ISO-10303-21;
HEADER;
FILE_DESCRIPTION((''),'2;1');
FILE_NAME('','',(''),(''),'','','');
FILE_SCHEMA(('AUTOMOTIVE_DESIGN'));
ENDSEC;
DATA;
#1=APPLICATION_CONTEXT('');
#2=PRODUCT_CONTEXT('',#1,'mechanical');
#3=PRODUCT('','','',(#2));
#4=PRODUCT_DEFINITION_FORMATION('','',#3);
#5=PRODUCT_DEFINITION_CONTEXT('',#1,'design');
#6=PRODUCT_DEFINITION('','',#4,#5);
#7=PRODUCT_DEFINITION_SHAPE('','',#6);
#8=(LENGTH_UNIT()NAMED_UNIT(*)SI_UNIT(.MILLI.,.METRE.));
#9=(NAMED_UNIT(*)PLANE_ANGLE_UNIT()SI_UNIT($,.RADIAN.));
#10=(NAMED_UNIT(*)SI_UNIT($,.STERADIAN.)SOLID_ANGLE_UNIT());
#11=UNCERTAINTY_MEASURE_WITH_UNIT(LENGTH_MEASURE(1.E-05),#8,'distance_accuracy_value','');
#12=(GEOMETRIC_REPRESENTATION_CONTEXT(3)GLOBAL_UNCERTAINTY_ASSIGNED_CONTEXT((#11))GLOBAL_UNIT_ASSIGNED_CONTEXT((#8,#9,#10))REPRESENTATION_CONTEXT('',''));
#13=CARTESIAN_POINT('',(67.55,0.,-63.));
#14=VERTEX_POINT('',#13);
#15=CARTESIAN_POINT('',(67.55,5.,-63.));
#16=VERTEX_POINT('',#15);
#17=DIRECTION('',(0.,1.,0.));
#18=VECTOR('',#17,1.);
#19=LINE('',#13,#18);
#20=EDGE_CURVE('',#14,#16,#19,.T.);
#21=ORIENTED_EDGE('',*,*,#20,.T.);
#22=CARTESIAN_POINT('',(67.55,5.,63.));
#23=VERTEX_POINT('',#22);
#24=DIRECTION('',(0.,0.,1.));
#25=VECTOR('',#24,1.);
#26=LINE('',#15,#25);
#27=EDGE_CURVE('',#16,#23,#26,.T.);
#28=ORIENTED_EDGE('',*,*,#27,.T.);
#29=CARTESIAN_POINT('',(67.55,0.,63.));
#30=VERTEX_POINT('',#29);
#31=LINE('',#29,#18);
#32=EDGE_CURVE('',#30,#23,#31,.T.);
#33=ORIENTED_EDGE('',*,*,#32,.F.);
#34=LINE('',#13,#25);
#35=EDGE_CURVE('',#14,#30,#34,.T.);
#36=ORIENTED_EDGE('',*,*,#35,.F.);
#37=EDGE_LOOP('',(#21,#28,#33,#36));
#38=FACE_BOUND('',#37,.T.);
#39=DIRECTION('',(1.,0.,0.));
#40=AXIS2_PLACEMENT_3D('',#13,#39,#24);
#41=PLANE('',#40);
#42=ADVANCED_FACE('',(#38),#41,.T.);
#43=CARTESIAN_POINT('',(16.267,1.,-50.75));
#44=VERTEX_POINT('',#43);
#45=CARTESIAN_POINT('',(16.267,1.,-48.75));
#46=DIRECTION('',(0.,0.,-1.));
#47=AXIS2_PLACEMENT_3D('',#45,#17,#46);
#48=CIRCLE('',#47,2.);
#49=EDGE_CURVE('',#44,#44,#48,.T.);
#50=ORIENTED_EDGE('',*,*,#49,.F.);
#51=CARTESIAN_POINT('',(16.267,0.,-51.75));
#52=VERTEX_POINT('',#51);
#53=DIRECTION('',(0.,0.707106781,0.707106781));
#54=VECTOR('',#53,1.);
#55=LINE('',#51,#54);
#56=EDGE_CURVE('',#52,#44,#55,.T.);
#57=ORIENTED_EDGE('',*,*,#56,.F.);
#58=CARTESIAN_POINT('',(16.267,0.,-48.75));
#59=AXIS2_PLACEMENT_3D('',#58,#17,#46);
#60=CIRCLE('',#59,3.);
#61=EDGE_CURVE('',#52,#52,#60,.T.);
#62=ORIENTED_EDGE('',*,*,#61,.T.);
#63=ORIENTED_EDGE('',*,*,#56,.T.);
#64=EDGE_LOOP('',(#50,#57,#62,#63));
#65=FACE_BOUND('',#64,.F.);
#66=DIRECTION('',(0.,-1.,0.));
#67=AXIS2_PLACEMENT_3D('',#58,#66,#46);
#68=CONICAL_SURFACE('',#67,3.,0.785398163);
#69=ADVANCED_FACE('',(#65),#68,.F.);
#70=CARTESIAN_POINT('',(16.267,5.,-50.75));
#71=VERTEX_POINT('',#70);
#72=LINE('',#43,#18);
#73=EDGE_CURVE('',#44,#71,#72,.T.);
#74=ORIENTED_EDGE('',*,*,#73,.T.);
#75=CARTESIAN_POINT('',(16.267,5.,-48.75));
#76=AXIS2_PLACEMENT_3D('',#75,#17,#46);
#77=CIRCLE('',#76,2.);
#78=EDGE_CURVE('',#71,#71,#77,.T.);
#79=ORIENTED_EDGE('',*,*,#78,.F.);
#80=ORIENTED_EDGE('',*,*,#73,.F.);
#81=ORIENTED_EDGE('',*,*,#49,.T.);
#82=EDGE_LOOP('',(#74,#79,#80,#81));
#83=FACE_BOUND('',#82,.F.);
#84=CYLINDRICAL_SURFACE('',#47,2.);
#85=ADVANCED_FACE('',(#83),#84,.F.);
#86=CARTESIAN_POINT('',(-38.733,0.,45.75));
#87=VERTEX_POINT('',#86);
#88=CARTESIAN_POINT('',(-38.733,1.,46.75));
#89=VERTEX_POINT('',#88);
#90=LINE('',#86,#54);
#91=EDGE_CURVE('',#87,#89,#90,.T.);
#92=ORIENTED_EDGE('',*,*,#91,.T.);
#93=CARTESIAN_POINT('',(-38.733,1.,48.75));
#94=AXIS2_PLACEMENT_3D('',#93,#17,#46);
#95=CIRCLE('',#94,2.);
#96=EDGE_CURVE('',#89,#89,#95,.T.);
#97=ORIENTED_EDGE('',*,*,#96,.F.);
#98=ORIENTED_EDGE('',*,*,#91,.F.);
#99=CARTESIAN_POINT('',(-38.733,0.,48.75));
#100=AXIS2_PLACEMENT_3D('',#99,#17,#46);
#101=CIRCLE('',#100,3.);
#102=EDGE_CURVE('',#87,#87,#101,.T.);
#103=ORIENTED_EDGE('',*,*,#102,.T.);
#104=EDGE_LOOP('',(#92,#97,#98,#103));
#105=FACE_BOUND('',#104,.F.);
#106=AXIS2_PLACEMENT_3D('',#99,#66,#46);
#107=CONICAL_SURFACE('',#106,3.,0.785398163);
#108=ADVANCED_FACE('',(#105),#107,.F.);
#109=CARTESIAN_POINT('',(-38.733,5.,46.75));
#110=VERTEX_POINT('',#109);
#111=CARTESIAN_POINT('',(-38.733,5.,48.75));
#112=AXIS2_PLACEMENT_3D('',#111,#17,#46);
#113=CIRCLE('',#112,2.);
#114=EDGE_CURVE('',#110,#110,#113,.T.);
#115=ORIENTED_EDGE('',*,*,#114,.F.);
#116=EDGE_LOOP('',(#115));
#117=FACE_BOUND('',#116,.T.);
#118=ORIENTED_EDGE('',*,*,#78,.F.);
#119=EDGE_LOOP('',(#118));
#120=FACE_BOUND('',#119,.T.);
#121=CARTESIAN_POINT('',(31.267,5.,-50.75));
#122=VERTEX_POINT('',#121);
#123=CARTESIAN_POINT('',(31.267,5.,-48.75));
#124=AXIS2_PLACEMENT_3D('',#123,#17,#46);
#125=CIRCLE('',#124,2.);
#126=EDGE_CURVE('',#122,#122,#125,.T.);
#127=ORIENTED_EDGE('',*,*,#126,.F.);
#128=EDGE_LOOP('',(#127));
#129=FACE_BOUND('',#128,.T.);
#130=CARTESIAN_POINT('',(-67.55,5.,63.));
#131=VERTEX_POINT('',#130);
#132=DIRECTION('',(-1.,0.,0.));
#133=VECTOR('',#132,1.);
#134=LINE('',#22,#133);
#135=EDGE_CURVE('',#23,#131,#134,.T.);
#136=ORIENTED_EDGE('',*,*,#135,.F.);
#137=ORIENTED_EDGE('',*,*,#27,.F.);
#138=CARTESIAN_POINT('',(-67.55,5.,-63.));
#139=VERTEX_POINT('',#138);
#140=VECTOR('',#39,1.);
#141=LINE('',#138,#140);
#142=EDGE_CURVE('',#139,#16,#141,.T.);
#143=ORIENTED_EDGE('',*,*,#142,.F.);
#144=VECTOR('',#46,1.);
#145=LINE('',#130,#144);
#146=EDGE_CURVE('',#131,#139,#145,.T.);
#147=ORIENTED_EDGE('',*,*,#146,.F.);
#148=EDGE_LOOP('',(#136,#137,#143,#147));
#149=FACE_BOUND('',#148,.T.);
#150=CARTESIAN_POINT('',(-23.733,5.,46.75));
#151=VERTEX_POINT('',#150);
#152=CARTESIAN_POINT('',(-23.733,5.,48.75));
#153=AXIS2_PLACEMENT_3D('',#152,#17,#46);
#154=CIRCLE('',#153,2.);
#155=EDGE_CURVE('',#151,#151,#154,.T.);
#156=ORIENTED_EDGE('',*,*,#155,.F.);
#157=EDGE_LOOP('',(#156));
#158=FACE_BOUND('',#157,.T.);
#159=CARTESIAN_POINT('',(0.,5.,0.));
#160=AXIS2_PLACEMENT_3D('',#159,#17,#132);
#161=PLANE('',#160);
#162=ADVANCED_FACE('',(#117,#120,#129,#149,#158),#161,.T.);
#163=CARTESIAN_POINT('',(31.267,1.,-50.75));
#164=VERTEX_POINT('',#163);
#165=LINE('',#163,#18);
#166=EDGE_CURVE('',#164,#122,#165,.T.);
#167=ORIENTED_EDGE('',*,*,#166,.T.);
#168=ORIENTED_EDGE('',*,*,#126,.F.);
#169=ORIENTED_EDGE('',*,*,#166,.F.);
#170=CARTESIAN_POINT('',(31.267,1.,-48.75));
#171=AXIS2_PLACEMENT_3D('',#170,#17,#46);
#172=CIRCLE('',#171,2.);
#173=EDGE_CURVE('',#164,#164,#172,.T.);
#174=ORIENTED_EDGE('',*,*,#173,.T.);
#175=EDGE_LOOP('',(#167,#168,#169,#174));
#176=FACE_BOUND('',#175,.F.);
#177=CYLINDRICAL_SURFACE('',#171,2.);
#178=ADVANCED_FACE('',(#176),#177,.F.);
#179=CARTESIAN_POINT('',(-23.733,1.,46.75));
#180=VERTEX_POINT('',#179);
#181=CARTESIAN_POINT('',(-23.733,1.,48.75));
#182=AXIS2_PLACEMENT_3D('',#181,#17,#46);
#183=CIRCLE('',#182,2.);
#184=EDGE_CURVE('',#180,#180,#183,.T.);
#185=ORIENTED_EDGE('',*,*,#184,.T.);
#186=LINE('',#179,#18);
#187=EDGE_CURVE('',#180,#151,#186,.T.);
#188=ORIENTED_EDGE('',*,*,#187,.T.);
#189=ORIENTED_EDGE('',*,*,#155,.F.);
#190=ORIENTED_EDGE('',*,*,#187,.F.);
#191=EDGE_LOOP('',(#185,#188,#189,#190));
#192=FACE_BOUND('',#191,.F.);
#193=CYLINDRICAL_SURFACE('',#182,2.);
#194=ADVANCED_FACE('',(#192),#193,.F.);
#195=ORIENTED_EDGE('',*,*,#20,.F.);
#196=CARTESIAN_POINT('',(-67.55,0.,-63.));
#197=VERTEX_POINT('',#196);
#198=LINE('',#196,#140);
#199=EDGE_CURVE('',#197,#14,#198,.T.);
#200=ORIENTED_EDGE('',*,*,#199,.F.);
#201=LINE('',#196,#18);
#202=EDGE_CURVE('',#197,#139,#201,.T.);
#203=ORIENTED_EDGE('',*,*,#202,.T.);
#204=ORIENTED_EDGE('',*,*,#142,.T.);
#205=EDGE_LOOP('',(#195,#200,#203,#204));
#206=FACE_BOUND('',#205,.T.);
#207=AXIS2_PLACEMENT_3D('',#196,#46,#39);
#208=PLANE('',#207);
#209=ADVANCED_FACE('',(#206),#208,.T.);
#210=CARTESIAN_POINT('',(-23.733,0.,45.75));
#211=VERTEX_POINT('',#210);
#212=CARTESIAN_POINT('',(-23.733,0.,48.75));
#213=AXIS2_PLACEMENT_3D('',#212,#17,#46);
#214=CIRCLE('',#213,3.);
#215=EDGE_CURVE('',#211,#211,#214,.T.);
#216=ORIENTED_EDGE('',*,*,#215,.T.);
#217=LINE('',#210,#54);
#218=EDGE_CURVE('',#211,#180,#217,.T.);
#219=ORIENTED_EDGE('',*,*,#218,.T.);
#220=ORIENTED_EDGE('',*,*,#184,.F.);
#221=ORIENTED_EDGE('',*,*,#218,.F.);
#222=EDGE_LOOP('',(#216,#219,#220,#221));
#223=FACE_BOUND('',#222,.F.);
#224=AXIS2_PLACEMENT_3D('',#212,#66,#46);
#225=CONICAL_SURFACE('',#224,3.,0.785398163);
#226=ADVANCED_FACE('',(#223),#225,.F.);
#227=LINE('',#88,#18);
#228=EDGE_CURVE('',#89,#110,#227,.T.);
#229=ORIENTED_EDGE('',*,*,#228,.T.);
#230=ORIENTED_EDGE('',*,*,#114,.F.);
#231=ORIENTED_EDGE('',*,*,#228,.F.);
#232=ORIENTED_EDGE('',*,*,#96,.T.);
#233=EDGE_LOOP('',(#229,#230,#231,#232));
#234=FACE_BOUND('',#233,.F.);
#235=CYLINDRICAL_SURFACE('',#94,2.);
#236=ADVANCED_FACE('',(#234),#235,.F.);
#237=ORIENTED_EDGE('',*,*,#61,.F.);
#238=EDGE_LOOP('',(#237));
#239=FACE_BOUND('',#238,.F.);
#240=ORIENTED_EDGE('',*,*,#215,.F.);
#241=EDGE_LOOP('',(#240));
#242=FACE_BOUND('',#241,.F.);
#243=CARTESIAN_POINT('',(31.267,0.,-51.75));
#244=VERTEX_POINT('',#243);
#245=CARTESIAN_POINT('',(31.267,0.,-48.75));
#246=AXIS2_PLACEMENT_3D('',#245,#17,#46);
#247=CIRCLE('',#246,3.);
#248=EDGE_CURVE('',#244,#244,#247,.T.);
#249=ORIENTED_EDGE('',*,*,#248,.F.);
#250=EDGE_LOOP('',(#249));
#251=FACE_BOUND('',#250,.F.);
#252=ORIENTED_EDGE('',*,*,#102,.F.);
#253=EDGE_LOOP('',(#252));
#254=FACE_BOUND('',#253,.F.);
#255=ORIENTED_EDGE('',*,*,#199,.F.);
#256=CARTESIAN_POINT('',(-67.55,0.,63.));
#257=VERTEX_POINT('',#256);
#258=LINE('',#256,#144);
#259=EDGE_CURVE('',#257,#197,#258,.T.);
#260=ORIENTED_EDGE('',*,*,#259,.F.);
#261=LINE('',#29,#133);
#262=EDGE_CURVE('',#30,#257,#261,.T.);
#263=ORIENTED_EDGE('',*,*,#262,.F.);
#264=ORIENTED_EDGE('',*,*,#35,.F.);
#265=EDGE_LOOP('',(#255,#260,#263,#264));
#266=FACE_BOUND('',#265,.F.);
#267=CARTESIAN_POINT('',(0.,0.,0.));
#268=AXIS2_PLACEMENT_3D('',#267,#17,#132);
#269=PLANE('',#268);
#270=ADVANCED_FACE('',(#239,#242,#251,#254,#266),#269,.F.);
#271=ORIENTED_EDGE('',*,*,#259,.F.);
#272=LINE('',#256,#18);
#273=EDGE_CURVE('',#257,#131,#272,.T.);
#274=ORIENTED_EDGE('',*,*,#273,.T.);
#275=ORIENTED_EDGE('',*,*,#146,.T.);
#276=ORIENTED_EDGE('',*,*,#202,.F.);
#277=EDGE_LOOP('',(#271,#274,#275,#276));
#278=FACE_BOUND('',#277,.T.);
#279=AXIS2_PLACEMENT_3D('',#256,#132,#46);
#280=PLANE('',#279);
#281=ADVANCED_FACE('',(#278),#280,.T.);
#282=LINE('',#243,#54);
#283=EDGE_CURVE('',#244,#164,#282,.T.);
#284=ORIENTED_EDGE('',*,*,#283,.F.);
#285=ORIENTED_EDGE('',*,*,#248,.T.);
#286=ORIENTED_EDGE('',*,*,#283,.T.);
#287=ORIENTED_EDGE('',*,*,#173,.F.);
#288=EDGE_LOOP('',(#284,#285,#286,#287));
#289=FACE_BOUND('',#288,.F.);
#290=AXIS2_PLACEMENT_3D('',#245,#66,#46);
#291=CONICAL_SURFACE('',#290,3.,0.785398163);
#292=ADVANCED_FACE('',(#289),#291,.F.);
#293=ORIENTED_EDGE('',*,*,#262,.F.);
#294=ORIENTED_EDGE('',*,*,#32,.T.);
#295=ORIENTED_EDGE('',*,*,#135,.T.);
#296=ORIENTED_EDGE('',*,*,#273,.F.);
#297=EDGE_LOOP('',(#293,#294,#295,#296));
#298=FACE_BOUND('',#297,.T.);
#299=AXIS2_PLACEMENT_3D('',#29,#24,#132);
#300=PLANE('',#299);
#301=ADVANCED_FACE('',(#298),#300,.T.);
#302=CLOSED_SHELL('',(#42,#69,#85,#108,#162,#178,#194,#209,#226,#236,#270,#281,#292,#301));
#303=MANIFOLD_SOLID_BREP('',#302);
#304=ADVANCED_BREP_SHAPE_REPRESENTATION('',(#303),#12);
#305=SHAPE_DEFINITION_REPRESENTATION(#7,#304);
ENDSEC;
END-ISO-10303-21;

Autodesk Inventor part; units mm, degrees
ref_plane "YZ Plane" through (0, 0, 0) normal (1, 0, 0) x (0, 1, 0)
ref_plane "XZ Plane" through (0, 0, 0) normal (0, 1, 0) x (-1, 0, 0)
ref_plane "XY Plane" through (0, 0, 0) normal (0, 0, 1) x (1, 0, 0)
sketch "Schizzo1" plane through (0, 0, 0) normal (0, 1, 0) x (-1, 0, 0)
  line L0 (-67.55, 63) -> (67.55, 63)
  line L1 (67.55, 63) -> (67.55, -63)
  line L2 (67.55, -63) -> (-67.55, -63)
  line L3 (-67.55, -63) -> (-67.55, 63)
  line L4 (-67.55, 63) -> (67.55, -63) construction
  line L5 (67.55, 63) -> (-67.55, -63) construction
  line L6 (67.55, -55.2) -> (43.733, -55.2) construction
  line L7 (43.733, -55.2) -> (-36.267, -55.2) construction
  line L8 (-36.267, -55.2) -> (-36.267, -42.3) construction
  line L9 (-36.267, -42.3) -> (43.733, -42.3) construction
  line L10 (43.733, -42.3) -> (43.733, -55.2) construction
  line L11 (-36.267, 63) -> (-36.267, 55.2) construction
  line L12 (-36.267, 55.2) -> (43.733, 55.2) construction
  line L13 (43.733, 55.2) -> (43.733, 42.3) construction
  line L14 (43.733, 42.3) -> (-36.267, 42.3) construction
  line L15 (-36.267, 42.3) -> (-36.267, 55.2) construction
  line L16 (-36.267, -48.75) -> (-31.267, -48.75) construction
  circle A0 centre (-31.267, -48.75) radius 2
  line L17 (-31.267, -48.75) -> (-16.267, -48.75) construction
  circle A1 centre (-16.267, -48.75) radius 2
  line L18 (43.733, 48.75) -> (38.733, 48.75) construction
  circle A2 centre (38.733, 48.75) radius 2
  line L19 (38.733, 48.75) -> (23.733, 48.75) construction
  circle A3 centre (23.733, 48.75) radius 2
  line L20 (-31.267, -63) -> (-31.267, -55.2) construction
  point P0 (0, 0)
  dimension "d0" = 135.1
  dimension "d1" = 126
  dimension "d18" = 23.817
  dimension "d19" = 80
  dimension "d20" = 12.9
  dimension "d21" = 7.8
  dimension "d22" = 12.9
  dimension "d23" = 5
  dimension "d24" = 31.283
  dimension "d26" = 4
  dimension "d27" = 15
  dimension "d28" = 4
  dimension "d37" = 5
  dimension "d38" = 4
  dimension "d39" = 15
  dimension "d40" = 4
  dimension "d55" = 7.8
extrude "Estrusione1" add sketch "Schizzo1" along normal blind 5 contours L0 L1 L2 L3 | A0 | A1 | A2 | A3
hole "Foro3" at (16.267, 0, -48.75) at (31.267, 0, -48.75) at (-23.733, 0, 48.75) at (-38.733, 0, 48.75) direction (0, 1, 0) diameter 4 depth 10 countersink diameter 6 countersink angle 90
properties part number "PiattoBilancia"
